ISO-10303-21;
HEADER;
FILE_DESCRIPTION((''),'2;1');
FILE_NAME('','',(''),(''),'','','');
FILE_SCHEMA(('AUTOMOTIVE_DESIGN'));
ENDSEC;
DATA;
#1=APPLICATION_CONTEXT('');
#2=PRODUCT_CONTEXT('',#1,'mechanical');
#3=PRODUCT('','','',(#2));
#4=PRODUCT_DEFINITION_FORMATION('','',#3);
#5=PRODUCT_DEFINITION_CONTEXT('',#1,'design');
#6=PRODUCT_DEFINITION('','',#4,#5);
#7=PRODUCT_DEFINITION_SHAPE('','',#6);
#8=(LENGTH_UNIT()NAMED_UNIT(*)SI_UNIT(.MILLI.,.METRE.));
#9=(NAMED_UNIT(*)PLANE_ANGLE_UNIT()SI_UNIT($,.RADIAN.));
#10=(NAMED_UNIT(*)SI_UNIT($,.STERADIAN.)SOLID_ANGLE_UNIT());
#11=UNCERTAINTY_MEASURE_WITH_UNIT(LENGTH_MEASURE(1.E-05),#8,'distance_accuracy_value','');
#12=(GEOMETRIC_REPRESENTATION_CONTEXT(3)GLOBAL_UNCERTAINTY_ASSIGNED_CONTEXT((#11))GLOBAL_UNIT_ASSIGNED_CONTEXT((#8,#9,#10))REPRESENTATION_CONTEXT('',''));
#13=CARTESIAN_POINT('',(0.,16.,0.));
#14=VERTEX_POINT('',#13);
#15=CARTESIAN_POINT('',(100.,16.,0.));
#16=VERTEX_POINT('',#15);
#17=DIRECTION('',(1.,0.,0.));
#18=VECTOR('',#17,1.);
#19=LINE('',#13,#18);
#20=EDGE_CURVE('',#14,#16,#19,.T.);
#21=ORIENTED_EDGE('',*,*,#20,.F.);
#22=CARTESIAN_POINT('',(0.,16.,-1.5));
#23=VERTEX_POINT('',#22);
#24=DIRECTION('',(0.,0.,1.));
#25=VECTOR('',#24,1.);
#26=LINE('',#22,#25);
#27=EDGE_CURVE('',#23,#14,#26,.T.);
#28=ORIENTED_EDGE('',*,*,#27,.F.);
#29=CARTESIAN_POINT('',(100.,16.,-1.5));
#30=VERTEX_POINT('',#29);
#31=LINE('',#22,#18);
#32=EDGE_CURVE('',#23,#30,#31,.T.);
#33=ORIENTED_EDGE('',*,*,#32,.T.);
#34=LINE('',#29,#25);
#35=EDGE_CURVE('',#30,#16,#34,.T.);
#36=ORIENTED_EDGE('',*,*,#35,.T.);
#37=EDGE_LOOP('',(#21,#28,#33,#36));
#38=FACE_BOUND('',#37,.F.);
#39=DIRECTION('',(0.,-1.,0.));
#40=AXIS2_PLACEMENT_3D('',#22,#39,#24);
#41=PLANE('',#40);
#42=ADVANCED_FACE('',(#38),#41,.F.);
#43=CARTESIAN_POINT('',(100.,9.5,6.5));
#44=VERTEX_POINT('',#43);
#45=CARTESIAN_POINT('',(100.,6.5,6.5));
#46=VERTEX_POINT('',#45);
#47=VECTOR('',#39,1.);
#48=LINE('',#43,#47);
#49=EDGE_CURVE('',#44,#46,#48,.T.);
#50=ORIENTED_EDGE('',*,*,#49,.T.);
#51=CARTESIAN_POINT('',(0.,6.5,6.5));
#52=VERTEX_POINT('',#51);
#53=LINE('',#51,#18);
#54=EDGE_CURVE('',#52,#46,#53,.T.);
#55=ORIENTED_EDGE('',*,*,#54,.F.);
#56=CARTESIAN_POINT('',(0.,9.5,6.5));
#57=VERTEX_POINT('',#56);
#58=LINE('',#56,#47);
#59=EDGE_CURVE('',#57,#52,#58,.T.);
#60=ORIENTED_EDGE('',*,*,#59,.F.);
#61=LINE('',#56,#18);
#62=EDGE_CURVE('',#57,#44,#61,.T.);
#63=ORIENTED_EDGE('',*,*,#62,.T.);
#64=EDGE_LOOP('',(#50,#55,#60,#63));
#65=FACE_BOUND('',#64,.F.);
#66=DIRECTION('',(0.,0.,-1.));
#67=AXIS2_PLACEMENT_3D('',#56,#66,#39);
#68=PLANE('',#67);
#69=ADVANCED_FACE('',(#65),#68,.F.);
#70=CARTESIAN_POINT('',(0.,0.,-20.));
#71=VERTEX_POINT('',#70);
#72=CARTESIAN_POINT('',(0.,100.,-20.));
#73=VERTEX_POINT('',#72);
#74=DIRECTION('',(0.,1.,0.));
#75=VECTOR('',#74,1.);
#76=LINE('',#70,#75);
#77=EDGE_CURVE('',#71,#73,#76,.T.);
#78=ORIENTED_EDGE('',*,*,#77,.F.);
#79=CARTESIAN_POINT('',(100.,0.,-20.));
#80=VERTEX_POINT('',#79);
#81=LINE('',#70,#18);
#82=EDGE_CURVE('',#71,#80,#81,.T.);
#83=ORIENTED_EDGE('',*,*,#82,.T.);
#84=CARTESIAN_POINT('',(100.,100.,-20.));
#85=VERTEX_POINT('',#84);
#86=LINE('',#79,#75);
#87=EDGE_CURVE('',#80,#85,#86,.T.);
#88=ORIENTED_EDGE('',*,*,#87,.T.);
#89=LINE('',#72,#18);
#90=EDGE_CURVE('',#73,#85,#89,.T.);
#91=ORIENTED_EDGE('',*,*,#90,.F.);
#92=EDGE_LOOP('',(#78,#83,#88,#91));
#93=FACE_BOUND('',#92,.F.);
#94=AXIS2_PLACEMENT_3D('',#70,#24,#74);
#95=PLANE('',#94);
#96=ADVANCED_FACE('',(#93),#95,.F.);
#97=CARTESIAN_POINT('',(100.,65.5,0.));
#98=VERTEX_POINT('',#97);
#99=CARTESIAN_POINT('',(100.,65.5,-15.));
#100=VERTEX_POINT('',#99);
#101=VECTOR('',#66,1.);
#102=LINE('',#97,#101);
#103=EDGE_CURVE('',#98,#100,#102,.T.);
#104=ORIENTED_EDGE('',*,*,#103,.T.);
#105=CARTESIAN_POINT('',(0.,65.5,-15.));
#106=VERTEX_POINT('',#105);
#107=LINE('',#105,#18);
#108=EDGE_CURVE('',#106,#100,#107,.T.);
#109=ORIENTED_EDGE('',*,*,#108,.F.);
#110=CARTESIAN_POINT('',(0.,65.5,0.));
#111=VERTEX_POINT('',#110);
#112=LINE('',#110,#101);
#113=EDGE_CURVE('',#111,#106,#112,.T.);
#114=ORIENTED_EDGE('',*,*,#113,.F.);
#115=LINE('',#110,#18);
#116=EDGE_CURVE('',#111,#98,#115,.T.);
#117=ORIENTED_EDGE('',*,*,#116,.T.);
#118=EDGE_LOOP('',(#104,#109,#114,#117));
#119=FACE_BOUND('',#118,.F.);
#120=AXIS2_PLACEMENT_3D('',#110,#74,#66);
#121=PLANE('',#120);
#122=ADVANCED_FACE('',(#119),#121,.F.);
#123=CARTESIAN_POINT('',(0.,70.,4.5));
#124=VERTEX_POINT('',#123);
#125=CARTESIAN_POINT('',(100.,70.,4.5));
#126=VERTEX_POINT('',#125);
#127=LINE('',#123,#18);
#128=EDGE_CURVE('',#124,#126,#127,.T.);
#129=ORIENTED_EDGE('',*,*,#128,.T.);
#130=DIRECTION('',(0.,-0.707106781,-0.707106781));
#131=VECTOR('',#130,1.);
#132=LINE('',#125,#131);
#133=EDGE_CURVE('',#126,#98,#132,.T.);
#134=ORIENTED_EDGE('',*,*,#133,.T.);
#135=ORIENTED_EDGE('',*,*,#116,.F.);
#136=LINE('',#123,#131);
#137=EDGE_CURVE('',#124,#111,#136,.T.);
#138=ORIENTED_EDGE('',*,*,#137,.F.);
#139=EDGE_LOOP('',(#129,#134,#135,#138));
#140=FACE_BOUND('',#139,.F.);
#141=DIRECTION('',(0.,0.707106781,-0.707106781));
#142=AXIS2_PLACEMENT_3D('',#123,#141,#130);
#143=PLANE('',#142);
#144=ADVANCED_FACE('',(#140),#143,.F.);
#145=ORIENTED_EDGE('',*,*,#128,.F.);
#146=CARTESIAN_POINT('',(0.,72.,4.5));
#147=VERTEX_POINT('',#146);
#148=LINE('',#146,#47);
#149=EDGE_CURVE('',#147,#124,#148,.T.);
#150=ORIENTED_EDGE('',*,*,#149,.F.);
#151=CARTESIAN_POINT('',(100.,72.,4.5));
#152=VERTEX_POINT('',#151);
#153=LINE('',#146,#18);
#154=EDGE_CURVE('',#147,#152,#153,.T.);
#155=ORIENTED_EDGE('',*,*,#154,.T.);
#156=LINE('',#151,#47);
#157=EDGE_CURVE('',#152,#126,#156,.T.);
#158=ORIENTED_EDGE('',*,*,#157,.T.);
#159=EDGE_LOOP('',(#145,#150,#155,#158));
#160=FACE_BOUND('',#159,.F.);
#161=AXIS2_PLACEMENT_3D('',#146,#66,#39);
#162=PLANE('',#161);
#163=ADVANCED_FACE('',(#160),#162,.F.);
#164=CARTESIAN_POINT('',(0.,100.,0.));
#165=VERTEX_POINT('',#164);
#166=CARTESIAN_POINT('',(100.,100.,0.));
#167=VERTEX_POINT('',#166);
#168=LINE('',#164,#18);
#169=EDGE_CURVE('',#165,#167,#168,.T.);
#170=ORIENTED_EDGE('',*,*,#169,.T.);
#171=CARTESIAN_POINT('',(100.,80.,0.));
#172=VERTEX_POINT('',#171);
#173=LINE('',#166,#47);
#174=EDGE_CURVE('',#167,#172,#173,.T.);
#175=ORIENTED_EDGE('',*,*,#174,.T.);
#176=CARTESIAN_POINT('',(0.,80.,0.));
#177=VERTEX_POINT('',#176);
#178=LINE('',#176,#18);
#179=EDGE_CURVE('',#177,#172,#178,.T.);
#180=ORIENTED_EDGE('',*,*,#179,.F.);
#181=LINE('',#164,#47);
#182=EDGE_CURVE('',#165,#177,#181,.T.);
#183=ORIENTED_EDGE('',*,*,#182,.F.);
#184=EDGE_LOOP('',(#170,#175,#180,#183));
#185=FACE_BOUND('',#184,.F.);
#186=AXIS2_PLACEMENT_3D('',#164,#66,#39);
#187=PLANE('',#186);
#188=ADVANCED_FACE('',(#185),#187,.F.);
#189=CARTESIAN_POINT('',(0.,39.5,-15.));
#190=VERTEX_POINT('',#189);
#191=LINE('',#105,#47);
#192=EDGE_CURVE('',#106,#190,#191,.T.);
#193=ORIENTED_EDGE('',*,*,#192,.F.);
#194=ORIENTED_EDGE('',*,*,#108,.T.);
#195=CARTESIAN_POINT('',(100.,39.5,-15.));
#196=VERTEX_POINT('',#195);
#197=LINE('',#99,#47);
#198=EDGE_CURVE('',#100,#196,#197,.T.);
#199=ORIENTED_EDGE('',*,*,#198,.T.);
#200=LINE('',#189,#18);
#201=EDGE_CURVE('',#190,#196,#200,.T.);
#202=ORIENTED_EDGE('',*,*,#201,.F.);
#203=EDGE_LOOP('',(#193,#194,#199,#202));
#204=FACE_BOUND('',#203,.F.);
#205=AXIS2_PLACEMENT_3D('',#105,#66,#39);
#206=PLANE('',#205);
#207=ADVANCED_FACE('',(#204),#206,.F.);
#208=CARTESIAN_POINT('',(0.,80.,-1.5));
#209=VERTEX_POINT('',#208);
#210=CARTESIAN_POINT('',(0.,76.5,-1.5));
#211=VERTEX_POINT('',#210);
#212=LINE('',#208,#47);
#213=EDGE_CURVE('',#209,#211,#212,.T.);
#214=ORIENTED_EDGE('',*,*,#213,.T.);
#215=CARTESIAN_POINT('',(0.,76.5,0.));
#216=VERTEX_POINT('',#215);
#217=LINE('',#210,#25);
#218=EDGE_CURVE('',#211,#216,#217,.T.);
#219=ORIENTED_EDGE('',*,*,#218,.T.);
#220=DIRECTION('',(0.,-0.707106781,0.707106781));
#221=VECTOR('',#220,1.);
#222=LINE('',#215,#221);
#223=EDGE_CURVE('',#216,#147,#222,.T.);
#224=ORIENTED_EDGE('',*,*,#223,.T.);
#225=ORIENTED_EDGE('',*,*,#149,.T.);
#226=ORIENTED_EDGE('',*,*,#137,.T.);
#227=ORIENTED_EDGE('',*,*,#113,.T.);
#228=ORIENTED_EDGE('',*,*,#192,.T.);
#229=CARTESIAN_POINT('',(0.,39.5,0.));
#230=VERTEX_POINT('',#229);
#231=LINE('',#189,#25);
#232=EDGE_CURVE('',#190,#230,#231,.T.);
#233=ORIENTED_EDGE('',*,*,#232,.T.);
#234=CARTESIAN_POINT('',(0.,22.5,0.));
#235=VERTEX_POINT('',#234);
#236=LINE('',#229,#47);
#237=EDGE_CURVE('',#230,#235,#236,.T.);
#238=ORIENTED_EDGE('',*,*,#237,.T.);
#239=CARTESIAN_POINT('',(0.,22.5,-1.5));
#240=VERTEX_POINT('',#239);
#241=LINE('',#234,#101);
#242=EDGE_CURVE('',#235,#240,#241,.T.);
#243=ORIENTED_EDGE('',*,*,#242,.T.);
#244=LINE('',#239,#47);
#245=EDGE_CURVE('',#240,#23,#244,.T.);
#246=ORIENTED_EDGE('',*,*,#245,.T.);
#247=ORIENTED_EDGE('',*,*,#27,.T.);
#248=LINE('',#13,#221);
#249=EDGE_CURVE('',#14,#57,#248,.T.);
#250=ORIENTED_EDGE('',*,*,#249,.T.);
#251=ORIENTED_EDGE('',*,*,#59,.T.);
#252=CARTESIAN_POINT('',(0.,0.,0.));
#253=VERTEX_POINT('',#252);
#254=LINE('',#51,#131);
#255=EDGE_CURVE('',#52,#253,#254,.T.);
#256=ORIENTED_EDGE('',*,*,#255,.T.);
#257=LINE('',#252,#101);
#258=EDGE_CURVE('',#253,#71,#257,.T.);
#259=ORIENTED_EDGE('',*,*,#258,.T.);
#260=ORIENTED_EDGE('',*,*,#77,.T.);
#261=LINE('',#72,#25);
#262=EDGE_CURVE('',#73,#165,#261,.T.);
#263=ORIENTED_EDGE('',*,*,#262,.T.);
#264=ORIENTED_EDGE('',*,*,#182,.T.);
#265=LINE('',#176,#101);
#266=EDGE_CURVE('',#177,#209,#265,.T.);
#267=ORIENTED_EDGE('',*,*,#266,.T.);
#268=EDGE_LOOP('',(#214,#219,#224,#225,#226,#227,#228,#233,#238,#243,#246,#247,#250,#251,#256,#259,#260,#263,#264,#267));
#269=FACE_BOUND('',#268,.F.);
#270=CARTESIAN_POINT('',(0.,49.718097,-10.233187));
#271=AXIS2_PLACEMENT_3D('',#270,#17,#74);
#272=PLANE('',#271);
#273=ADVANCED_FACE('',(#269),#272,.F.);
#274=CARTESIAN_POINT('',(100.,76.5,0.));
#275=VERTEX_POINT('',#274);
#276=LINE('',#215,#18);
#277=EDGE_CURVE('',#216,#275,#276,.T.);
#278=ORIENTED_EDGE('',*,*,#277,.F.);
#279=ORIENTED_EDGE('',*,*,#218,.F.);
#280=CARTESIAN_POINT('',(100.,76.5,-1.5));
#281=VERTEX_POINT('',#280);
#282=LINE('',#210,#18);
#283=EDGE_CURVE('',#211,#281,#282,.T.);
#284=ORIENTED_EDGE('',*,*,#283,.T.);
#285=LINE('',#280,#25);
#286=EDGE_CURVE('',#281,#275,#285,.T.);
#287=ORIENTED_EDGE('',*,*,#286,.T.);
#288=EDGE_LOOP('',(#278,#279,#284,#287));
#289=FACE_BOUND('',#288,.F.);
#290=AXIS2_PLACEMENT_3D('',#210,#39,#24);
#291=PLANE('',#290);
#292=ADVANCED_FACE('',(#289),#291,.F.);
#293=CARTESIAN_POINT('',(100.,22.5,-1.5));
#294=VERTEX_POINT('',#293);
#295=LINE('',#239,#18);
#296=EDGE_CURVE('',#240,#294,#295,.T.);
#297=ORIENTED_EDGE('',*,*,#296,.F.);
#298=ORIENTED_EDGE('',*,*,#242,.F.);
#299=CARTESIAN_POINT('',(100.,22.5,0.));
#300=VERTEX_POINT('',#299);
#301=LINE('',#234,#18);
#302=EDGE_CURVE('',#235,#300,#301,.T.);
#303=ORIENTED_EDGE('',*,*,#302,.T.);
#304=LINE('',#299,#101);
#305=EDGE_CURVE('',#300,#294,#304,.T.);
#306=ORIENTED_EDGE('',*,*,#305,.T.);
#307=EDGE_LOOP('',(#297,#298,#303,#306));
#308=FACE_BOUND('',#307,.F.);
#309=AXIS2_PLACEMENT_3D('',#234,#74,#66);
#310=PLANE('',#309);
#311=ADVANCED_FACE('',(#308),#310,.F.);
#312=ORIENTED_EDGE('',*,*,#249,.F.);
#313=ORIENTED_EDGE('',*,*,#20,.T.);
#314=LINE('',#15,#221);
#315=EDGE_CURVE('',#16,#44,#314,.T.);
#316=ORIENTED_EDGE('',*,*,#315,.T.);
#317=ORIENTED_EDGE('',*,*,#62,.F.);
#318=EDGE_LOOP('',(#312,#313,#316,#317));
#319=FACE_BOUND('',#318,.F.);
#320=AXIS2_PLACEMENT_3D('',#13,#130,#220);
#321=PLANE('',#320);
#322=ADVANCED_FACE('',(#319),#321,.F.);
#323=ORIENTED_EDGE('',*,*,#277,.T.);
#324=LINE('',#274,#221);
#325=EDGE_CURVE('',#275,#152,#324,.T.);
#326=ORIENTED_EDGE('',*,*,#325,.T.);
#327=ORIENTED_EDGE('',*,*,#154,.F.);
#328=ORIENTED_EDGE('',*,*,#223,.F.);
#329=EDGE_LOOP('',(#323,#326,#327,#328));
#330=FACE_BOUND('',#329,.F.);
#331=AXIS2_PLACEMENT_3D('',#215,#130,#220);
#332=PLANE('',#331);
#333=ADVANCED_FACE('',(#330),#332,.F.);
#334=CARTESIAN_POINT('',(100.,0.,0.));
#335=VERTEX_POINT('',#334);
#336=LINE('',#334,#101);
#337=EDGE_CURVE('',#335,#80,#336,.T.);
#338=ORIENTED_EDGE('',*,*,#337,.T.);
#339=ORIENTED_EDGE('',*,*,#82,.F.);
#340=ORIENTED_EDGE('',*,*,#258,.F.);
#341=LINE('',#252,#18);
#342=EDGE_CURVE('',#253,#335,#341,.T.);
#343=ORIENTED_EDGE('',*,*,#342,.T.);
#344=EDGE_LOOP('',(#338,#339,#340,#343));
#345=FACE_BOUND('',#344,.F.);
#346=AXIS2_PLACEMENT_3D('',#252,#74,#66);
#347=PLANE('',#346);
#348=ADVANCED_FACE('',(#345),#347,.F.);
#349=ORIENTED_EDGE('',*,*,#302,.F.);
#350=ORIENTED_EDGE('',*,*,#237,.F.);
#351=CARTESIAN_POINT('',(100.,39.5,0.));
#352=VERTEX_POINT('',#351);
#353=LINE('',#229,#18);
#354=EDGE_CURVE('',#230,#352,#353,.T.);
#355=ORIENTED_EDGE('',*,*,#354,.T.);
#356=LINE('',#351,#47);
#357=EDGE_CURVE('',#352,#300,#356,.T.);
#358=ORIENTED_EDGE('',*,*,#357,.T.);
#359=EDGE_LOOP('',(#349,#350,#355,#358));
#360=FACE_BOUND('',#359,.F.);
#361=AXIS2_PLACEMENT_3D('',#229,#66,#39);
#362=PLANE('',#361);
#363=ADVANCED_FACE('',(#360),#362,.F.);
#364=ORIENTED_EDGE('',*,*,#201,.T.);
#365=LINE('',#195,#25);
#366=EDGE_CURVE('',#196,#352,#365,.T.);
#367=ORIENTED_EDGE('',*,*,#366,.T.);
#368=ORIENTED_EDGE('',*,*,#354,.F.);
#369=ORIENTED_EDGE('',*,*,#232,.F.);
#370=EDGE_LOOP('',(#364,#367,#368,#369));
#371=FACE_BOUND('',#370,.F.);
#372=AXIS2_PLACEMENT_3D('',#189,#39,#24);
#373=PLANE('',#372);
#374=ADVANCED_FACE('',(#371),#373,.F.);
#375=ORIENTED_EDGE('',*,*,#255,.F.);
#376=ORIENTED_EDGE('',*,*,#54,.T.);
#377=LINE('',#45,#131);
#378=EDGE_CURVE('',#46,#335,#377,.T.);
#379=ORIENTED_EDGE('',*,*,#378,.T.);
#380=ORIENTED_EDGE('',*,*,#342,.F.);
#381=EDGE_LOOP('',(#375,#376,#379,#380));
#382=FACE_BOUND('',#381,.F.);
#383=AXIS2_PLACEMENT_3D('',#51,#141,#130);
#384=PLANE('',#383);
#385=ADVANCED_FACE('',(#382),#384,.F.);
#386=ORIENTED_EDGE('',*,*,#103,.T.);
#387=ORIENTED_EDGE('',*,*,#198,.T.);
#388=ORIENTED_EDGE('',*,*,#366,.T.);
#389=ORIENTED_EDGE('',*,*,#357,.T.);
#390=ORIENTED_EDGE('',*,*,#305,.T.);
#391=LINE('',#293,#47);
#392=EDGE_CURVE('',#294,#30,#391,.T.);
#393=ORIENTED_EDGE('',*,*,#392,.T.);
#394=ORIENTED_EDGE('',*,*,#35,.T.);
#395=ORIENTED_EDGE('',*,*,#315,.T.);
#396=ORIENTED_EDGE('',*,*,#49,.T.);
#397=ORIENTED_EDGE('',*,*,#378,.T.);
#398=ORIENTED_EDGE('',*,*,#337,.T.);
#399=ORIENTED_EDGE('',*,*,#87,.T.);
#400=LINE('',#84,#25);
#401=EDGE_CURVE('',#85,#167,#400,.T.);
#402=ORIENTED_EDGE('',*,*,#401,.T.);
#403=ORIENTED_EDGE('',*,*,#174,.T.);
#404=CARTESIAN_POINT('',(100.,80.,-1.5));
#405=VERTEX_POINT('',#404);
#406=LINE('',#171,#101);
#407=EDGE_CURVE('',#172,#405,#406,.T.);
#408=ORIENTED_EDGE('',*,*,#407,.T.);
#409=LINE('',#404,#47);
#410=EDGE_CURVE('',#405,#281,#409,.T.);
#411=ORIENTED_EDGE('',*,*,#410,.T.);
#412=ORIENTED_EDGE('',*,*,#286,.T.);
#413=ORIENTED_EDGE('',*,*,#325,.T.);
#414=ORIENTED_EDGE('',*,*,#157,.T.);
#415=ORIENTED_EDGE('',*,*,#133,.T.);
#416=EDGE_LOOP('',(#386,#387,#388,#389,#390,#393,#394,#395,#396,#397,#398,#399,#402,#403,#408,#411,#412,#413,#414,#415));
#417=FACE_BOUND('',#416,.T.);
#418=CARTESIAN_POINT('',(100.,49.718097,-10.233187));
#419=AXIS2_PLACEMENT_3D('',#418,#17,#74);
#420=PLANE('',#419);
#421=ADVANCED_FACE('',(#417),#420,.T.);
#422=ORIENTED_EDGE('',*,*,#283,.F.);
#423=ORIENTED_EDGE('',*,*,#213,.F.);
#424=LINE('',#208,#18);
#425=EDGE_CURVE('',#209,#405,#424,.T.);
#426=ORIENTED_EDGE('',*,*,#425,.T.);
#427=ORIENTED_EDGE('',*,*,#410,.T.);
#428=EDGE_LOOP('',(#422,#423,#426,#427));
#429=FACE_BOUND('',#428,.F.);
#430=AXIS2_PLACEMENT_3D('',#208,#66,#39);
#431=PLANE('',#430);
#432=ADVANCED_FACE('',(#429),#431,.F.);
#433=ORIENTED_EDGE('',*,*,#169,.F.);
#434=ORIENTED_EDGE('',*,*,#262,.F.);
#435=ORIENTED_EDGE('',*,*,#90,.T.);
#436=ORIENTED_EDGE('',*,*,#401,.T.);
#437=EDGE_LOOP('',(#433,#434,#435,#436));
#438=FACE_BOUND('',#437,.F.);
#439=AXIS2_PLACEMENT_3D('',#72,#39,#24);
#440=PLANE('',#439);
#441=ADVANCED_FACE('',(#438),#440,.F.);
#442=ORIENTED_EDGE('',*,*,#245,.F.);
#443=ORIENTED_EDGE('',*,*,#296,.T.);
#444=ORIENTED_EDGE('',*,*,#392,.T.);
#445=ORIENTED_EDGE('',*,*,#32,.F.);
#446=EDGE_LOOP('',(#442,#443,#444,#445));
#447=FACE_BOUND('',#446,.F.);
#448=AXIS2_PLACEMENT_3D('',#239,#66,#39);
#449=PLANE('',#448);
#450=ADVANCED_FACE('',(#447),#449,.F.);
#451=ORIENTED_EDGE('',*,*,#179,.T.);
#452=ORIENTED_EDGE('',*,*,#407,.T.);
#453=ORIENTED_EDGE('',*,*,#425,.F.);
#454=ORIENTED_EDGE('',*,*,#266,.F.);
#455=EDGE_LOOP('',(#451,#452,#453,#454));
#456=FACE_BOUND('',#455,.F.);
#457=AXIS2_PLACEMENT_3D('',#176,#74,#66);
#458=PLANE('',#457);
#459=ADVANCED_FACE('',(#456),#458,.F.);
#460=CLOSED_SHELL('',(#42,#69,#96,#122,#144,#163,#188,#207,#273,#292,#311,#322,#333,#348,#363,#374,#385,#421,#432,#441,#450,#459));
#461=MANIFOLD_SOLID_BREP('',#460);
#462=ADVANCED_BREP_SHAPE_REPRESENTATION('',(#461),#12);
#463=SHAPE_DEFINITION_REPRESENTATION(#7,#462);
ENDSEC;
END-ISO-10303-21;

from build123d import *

# Parameters (mm, degrees)
F1_DEPTH = 100


with BuildPart() as f1:
    # F0 (on Right) → F1 (new body)
    with BuildSketch(Plane.YZ):
        Polygon((6.5, 6.5), (0, 0), (0, -20), (100, -20), (100, 0), (80, 0), (80, -1.5), (76.5, -1.5), (76.5, 0), (72, 4.5), (70, 4.5), (65.5, 0), (65.5, -15), (39.5, -15), (39.5, 0), (22.5, 0), (22.5, -1.5), (16, -1.5), (16, 0), (9.5, 6.5), align=None)
    extrude(amount=F1_DEPTH)


solid = f1.part
